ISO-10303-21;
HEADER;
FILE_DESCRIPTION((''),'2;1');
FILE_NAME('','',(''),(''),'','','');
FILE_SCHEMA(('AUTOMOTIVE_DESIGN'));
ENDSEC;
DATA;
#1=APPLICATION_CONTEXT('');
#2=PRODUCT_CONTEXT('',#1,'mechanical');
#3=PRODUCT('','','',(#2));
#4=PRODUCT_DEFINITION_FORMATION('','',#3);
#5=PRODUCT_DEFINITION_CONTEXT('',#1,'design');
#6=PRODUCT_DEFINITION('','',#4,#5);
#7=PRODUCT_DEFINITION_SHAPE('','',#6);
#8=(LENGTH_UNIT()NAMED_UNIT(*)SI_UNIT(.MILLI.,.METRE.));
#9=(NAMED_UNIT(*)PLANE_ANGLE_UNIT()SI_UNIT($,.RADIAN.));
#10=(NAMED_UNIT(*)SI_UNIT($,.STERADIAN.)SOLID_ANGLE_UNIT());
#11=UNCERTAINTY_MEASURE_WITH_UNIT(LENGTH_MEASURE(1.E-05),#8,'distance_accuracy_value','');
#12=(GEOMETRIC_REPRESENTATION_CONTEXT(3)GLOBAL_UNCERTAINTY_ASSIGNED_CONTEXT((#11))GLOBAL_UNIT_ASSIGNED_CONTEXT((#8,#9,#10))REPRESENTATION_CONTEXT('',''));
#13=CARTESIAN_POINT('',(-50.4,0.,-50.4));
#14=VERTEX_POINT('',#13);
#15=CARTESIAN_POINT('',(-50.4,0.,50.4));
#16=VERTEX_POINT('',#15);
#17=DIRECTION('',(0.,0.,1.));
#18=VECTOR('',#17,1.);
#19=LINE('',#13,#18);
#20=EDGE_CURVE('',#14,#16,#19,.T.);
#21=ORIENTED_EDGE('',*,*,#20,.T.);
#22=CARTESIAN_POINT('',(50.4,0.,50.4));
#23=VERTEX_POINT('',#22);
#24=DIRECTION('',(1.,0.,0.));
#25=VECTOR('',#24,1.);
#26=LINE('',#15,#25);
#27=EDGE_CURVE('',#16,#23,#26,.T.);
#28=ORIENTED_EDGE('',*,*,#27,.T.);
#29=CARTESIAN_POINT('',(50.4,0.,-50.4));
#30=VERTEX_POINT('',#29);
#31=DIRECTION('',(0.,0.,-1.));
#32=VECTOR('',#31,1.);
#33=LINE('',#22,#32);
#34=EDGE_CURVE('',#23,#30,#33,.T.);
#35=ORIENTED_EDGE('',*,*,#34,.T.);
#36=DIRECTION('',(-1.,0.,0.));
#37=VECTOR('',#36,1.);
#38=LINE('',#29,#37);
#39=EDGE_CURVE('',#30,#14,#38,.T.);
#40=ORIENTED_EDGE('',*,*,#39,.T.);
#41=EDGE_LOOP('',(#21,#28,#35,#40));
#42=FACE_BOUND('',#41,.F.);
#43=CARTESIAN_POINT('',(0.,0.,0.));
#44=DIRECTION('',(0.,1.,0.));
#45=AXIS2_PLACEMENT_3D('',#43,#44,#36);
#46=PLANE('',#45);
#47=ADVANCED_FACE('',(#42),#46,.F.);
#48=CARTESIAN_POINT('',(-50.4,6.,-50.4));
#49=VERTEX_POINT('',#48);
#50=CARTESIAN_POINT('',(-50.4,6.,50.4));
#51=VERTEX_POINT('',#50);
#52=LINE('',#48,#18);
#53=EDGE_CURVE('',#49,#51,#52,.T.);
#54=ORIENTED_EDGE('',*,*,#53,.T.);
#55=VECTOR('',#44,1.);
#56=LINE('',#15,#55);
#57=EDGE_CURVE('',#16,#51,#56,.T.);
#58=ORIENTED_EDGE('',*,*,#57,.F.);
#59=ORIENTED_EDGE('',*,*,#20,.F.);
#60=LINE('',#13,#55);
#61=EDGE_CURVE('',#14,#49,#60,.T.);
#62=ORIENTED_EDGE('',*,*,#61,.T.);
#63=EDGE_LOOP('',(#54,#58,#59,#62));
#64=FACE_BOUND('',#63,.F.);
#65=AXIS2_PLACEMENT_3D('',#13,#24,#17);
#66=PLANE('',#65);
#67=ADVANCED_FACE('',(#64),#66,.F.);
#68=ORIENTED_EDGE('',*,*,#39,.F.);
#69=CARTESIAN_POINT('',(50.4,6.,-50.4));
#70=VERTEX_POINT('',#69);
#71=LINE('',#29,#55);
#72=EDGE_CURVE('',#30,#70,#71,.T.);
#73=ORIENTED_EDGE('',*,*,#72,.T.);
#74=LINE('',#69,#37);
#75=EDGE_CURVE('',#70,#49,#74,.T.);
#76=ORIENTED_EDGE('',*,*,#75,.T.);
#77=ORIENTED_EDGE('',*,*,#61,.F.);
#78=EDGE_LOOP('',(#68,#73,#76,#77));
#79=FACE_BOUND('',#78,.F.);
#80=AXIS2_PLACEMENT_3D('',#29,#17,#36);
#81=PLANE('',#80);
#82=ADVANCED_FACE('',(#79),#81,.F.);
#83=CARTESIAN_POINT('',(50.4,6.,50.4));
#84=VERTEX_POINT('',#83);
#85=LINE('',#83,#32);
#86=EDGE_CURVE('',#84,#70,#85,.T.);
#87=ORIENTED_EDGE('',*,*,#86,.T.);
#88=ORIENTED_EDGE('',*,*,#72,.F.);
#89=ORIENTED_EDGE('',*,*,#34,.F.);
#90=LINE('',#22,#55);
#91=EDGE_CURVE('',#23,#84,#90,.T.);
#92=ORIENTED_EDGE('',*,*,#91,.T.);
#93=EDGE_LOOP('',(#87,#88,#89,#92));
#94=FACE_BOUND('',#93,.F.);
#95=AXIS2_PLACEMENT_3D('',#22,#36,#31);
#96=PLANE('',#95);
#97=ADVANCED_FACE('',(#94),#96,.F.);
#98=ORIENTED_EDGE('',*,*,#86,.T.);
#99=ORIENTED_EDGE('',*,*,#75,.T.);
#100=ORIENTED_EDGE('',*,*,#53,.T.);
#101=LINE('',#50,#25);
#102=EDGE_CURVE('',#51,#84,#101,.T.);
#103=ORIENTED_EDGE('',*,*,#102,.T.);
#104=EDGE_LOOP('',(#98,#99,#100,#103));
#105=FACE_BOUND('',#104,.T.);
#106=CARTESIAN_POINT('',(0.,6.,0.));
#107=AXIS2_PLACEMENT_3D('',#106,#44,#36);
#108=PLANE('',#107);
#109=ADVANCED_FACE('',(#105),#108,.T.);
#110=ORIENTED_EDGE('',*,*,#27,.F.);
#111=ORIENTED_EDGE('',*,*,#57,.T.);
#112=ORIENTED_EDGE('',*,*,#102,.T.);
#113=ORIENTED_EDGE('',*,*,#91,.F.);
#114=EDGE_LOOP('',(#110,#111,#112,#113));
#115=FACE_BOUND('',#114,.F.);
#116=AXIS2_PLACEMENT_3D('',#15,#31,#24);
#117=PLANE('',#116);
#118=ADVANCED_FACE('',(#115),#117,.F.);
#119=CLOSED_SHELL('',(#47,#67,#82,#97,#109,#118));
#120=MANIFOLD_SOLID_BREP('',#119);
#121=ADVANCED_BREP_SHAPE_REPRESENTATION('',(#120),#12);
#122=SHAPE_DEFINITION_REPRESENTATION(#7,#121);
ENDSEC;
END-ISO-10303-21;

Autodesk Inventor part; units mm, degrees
ref_plane "YZ Plane" through (0, 0, 0) normal (1, 0, 0) x (0, 1, 0)
ref_plane "XZ Plane" through (0, 0, 0) normal (0, 1, 0) x (-1, 0, 0)
ref_plane "XY Plane" through (0, 0, 0) normal (0, 0, 1) x (1, 0, 0)
sketch "Sketch1" plane through (0, 0, 0) normal (0, 1, 0) x (-1, 0, 0)
  line L0 (50.4, 50.4) -> (-50.4, 50.4)
  line L1 (-50.4, 50.4) -> (-50.4, -50.4)
  line L2 (-50.4, -50.4) -> (50.4, -50.4)
  line L3 (50.4, -50.4) -> (50.4, 50.4)
  point P0 (0, 0)
  point P1 (0, -50.4)
  point P2 (50.4, 0)
  dimension "d0" = 100.8
extrude "Extrusion1" add sketch "Sketch1" along normal blind 6
properties part number "Sheet_6mm"
